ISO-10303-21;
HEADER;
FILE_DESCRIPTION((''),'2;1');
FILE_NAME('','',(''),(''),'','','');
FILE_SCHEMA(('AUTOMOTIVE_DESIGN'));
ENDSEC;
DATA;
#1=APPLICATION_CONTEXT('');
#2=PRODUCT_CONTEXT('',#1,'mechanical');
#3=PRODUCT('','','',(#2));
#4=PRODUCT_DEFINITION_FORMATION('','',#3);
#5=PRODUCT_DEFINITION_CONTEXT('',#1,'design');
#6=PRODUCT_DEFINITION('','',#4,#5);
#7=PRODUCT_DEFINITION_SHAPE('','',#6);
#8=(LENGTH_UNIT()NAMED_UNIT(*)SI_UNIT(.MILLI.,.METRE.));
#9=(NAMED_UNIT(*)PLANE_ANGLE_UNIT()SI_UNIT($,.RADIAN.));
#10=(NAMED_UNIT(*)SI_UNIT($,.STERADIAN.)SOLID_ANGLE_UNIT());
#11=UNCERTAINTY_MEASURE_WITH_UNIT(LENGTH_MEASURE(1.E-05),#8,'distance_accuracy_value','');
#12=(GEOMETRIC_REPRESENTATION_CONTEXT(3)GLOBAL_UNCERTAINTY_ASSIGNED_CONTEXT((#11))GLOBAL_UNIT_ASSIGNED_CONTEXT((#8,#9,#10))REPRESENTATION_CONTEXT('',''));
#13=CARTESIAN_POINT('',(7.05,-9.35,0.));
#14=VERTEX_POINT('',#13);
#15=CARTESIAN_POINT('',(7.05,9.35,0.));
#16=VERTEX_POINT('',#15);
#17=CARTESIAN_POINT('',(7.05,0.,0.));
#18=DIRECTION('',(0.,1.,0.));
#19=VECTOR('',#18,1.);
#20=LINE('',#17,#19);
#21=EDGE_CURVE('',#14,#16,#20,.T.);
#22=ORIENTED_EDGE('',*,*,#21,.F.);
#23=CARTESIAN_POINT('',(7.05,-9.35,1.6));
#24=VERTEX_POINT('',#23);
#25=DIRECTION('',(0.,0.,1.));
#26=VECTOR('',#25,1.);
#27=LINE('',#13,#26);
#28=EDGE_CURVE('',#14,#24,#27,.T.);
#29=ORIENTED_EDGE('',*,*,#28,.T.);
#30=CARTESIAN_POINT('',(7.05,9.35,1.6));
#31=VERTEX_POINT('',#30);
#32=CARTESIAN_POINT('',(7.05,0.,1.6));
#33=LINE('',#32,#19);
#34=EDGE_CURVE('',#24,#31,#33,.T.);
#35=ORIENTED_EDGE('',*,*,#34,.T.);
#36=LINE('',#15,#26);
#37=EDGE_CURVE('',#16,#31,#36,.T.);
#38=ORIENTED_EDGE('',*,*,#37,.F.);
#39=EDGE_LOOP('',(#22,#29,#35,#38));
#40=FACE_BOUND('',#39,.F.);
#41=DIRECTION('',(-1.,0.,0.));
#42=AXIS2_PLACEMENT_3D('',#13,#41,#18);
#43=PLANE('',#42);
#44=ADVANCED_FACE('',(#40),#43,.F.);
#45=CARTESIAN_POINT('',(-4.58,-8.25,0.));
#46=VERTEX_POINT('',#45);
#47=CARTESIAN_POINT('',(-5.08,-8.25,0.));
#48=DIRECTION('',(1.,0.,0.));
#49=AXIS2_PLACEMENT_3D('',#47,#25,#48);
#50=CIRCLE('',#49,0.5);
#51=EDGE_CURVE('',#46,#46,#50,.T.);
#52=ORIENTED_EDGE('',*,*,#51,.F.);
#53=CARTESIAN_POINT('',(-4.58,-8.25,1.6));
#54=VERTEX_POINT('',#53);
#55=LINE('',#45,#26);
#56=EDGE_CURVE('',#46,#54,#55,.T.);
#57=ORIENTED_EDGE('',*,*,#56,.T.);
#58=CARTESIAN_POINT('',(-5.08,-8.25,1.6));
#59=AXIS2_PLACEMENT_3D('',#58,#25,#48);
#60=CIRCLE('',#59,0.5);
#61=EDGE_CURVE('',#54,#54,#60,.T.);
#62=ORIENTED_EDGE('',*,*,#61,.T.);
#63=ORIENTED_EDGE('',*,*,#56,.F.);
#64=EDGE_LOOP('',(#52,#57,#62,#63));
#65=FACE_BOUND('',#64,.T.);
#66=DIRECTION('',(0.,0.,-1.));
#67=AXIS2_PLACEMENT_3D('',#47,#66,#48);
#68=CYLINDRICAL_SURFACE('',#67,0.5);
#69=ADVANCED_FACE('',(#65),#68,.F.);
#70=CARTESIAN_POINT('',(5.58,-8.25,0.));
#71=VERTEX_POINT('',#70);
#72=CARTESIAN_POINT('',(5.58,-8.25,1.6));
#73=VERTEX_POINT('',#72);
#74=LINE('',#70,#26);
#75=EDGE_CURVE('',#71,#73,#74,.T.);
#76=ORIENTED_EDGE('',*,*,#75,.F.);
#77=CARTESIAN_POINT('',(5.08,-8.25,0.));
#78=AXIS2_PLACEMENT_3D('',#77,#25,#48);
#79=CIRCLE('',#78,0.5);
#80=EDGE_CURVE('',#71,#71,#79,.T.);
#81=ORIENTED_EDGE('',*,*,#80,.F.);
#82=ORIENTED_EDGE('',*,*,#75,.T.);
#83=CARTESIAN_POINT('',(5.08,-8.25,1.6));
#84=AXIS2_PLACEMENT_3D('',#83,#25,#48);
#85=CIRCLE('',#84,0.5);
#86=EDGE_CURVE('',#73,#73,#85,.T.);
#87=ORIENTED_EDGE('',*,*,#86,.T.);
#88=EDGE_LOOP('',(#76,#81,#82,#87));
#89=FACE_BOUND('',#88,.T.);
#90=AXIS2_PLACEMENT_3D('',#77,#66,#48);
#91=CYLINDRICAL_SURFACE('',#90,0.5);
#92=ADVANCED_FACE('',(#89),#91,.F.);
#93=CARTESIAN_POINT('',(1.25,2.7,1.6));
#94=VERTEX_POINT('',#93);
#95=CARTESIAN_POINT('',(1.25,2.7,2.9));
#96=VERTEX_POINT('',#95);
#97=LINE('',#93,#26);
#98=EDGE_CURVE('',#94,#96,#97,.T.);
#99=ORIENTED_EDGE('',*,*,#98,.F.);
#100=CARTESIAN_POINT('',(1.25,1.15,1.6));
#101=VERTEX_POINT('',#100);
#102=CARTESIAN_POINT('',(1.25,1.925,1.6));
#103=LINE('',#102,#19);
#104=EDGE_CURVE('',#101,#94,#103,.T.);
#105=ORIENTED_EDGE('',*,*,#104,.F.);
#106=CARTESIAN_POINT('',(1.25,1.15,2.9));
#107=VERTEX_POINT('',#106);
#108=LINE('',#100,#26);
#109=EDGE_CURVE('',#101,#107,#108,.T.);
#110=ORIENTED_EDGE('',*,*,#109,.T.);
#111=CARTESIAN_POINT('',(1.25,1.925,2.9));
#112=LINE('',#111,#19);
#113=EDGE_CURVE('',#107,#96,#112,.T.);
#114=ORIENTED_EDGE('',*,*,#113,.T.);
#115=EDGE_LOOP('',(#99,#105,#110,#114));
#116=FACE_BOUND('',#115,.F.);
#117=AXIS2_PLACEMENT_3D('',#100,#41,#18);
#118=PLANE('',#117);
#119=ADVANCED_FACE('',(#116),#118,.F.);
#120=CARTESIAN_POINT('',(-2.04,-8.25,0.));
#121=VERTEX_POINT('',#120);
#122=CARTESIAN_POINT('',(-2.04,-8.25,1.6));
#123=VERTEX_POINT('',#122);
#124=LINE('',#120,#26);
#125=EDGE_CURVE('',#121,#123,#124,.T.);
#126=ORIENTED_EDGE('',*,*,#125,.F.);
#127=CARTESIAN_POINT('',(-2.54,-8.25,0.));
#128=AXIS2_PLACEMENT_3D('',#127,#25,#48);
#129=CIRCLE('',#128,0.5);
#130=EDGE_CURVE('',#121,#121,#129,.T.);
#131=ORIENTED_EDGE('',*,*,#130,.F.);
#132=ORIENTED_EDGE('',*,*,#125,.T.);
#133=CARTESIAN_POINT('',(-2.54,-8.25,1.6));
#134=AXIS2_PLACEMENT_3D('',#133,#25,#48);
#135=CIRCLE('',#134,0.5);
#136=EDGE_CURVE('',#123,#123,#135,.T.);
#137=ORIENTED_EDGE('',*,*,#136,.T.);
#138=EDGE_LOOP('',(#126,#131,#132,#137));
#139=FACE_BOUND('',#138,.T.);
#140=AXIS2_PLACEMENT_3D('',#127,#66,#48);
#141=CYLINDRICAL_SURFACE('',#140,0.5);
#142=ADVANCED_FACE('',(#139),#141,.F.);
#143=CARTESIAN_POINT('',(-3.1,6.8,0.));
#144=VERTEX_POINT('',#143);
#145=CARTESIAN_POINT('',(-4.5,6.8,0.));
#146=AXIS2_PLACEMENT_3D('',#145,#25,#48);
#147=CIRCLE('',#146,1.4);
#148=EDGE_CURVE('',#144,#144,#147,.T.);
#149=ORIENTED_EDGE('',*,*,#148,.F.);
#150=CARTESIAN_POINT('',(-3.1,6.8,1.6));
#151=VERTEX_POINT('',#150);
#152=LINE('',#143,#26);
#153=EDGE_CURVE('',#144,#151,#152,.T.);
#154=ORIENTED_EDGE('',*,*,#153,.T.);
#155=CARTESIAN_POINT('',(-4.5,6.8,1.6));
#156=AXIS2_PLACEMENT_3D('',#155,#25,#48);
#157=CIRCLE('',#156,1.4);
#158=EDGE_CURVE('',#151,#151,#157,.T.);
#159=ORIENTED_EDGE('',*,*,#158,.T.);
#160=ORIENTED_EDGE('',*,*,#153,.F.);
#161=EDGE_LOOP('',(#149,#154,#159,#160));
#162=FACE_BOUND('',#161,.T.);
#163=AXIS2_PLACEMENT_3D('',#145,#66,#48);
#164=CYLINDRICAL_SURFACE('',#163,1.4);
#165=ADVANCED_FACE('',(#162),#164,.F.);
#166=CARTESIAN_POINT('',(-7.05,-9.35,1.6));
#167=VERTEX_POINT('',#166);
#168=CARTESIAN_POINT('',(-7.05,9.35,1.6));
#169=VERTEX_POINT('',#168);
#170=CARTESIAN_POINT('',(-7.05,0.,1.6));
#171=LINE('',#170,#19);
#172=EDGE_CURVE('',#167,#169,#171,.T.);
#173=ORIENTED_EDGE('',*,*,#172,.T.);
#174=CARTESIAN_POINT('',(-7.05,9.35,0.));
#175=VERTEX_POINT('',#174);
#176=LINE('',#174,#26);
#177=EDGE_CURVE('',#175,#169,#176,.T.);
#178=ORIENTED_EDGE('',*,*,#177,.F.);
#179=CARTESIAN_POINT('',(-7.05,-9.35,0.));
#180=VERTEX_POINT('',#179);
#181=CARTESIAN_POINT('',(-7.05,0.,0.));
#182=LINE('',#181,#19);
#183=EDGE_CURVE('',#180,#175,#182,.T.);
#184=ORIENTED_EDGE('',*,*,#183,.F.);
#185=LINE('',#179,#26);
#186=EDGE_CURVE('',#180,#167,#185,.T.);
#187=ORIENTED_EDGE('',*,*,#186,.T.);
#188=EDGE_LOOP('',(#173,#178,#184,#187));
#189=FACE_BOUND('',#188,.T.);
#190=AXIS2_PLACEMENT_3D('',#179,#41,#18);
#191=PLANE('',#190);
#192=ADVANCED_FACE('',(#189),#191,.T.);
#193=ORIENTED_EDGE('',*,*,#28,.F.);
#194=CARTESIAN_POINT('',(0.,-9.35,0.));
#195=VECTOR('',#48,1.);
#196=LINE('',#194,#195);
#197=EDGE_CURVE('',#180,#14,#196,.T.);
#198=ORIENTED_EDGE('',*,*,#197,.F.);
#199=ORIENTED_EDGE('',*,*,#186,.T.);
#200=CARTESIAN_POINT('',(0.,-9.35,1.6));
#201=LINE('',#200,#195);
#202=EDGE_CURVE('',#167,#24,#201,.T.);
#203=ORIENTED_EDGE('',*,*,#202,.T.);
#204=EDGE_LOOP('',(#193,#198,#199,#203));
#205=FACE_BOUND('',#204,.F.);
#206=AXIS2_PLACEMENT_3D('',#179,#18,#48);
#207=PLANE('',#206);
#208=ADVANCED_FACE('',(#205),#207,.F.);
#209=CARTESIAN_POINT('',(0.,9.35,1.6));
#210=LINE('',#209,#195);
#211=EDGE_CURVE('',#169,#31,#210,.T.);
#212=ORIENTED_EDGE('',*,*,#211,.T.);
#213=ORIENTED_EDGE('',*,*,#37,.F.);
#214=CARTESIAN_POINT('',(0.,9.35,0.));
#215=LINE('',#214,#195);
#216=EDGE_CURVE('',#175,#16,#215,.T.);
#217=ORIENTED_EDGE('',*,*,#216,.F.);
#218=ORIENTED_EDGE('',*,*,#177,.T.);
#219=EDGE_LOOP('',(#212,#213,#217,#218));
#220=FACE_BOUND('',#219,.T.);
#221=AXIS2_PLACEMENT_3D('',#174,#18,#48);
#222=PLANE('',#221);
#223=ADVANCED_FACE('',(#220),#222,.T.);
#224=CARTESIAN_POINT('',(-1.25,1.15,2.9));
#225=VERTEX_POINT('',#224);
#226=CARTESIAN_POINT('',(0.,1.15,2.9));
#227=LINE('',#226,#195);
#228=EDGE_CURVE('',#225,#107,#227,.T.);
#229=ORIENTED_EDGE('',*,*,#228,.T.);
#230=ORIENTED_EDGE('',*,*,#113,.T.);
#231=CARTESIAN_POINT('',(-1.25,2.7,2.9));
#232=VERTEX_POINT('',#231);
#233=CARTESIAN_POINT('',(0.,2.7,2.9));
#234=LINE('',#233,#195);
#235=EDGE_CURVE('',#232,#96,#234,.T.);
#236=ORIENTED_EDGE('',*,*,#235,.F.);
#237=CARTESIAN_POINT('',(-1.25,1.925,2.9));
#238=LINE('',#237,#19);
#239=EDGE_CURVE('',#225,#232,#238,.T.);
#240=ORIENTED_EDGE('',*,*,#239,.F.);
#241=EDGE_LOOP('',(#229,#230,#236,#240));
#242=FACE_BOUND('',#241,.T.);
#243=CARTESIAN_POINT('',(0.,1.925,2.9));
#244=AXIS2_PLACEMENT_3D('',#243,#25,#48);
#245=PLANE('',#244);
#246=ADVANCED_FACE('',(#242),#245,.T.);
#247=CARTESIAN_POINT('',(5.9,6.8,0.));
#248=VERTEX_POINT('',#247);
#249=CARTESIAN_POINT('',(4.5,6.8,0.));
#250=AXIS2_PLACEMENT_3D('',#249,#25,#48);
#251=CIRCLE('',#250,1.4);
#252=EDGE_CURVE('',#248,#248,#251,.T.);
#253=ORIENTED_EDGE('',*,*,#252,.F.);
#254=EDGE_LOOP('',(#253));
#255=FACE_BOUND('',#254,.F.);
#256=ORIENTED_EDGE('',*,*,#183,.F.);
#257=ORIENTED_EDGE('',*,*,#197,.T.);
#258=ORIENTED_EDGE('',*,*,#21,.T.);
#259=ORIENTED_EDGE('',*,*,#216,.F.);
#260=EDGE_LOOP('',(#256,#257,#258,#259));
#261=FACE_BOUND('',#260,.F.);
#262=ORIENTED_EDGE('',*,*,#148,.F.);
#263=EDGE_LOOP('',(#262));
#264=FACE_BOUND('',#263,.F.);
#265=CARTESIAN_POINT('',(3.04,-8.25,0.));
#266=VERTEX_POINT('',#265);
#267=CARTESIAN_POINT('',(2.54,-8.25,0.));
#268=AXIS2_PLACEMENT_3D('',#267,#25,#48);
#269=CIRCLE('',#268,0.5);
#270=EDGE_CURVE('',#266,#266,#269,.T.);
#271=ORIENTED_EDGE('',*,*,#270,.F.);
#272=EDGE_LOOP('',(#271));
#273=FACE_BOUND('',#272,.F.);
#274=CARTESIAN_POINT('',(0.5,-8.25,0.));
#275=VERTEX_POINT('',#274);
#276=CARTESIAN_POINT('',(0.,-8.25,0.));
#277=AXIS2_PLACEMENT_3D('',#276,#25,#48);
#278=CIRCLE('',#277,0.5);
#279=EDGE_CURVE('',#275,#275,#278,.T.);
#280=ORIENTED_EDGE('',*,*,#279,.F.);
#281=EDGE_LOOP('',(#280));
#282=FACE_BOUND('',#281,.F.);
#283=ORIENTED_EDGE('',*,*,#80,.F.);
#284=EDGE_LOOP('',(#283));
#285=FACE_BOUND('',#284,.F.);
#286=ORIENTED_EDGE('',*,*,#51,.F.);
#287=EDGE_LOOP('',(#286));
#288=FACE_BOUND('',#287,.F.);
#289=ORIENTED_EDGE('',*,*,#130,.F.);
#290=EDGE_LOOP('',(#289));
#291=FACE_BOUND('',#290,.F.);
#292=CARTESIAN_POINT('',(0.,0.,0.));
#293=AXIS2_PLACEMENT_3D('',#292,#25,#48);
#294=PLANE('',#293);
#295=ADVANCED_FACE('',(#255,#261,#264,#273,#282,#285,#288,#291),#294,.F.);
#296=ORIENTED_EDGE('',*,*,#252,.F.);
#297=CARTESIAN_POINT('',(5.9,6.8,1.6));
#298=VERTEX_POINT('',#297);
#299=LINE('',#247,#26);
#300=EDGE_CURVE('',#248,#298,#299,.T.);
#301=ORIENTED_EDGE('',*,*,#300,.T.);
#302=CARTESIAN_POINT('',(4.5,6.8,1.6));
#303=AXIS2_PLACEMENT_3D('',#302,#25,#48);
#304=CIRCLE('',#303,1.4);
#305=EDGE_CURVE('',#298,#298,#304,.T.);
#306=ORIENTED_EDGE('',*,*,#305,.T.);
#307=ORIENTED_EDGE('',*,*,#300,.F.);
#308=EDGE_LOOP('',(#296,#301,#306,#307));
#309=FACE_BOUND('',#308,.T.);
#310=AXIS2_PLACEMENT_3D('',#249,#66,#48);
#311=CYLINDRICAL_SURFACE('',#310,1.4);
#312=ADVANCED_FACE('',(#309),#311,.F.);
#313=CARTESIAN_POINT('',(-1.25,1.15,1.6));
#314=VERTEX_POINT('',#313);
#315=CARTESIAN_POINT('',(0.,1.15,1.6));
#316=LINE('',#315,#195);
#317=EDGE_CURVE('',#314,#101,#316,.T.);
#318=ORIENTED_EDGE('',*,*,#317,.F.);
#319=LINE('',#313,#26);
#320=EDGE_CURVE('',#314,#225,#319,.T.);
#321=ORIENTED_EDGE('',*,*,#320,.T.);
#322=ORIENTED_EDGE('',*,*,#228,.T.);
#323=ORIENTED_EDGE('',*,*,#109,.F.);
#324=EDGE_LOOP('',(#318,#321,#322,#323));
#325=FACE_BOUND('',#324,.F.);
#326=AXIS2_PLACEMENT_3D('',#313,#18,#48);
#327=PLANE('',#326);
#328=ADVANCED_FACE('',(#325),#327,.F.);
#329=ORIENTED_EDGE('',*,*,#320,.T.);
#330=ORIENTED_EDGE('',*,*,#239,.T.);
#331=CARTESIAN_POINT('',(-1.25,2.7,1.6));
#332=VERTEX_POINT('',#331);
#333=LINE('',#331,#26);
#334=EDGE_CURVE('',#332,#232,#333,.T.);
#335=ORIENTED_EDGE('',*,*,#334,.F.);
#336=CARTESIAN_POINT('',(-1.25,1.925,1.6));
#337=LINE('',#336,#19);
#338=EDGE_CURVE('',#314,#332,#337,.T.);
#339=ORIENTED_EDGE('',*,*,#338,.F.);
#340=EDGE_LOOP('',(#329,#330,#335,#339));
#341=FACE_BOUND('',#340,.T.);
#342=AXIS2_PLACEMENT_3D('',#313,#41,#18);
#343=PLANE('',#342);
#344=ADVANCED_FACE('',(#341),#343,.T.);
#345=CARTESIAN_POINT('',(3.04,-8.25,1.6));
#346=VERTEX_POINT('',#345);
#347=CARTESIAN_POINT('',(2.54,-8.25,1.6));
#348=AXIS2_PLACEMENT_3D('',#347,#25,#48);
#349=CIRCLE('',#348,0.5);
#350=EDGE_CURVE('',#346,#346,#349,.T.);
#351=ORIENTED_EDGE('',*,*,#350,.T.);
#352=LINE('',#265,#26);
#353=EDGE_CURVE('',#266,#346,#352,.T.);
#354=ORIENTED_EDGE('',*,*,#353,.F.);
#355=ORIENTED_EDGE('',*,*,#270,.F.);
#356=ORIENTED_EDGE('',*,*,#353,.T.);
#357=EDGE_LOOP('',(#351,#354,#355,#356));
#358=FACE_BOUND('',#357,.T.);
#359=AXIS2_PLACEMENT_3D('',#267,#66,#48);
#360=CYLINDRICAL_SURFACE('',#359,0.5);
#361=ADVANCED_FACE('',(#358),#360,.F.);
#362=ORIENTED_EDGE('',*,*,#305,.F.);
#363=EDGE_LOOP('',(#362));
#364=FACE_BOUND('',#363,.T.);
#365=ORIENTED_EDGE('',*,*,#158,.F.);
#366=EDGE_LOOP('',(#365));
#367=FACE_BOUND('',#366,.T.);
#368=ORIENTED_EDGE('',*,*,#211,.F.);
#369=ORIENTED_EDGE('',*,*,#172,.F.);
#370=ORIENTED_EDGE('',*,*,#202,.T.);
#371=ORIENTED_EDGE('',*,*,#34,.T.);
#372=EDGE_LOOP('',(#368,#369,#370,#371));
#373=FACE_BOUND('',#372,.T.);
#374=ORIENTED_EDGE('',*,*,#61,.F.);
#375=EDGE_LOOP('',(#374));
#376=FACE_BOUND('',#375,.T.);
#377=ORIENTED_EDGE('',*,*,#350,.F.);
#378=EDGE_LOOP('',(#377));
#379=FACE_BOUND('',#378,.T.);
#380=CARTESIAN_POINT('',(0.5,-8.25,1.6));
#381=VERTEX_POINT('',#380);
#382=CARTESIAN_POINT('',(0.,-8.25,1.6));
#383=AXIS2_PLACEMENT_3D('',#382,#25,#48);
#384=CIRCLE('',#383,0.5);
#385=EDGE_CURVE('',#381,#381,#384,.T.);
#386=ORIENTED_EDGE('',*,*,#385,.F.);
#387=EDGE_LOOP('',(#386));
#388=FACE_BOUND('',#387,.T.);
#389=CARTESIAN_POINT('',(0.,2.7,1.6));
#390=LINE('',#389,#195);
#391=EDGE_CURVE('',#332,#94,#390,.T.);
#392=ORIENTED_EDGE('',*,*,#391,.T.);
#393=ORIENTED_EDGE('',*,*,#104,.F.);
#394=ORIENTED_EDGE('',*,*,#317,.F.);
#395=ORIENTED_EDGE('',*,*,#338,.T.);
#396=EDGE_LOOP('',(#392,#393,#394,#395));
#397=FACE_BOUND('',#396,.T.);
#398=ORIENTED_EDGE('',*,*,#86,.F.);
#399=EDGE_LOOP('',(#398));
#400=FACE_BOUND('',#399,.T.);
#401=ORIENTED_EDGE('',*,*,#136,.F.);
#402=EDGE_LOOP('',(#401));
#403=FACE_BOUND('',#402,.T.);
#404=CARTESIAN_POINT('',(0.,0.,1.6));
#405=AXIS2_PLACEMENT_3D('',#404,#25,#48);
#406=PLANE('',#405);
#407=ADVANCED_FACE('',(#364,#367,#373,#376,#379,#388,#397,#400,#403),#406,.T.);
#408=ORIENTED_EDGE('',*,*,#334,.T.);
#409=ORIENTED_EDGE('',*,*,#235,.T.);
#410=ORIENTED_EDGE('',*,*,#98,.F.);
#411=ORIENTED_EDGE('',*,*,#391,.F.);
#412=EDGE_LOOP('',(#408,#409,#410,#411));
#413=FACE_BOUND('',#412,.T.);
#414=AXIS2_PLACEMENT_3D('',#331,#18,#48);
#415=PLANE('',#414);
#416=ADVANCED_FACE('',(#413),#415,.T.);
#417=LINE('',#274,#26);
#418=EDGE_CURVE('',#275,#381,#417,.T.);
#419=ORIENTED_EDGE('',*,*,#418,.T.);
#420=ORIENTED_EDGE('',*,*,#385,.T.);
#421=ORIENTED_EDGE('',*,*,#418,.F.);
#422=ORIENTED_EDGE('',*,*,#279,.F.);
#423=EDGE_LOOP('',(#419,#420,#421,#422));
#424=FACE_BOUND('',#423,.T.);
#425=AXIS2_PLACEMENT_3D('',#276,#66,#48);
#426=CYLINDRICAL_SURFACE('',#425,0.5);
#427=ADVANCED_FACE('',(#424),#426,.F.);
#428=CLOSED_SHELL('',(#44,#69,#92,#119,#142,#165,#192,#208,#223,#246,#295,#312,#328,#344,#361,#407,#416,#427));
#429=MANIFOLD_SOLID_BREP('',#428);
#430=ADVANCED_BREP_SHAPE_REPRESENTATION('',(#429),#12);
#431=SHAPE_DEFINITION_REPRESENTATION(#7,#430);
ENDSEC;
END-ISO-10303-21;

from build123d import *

# Parameters (mm, degrees)
F0_W     = 14.1
F0_H     = 18.7
F0_R     = 0.5
F0_R_2   = 1.4
F1_DEPTH = 1.6
F2_W     = 2.5
F2_H     = 1.55
F3_DEPTH = 1.3


with BuildPart() as f1:
    # F0 (on Top) → F1 (new body)
    with BuildSketch(Plane.XY):
        Rectangle(F0_W, F0_H)
        with Locations((-5.08, -8.25)):
            Circle(F0_R, mode=Mode.SUBTRACT)
        with Locations((-2.54, -8.25)):
            Circle(F0_R, mode=Mode.SUBTRACT)
        with Locations((0, -8.25)):
            Circle(F0_R, mode=Mode.SUBTRACT)
        with Locations((2.54, -8.25)):
            Circle(F0_R, mode=Mode.SUBTRACT)
        with Locations((5.08, -8.25)):
            Circle(F0_R, mode=Mode.SUBTRACT)
        with Locations((-4.5, 6.8)):
            Circle(F0_R_2, mode=Mode.SUBTRACT)
        with Locations((4.5, 6.8)):
            Circle(F0_R_2, mode=Mode.SUBTRACT)
    extrude(amount=F1_DEPTH)

    # F2 (on face) → F3 (join)
    with BuildSketch(Plane.XY.offset(1.6)):
        with Locations((0, 1.925)):
            Rectangle(F2_W, F2_H)
    extrude(amount=F3_DEPTH)


solid = f1.part
